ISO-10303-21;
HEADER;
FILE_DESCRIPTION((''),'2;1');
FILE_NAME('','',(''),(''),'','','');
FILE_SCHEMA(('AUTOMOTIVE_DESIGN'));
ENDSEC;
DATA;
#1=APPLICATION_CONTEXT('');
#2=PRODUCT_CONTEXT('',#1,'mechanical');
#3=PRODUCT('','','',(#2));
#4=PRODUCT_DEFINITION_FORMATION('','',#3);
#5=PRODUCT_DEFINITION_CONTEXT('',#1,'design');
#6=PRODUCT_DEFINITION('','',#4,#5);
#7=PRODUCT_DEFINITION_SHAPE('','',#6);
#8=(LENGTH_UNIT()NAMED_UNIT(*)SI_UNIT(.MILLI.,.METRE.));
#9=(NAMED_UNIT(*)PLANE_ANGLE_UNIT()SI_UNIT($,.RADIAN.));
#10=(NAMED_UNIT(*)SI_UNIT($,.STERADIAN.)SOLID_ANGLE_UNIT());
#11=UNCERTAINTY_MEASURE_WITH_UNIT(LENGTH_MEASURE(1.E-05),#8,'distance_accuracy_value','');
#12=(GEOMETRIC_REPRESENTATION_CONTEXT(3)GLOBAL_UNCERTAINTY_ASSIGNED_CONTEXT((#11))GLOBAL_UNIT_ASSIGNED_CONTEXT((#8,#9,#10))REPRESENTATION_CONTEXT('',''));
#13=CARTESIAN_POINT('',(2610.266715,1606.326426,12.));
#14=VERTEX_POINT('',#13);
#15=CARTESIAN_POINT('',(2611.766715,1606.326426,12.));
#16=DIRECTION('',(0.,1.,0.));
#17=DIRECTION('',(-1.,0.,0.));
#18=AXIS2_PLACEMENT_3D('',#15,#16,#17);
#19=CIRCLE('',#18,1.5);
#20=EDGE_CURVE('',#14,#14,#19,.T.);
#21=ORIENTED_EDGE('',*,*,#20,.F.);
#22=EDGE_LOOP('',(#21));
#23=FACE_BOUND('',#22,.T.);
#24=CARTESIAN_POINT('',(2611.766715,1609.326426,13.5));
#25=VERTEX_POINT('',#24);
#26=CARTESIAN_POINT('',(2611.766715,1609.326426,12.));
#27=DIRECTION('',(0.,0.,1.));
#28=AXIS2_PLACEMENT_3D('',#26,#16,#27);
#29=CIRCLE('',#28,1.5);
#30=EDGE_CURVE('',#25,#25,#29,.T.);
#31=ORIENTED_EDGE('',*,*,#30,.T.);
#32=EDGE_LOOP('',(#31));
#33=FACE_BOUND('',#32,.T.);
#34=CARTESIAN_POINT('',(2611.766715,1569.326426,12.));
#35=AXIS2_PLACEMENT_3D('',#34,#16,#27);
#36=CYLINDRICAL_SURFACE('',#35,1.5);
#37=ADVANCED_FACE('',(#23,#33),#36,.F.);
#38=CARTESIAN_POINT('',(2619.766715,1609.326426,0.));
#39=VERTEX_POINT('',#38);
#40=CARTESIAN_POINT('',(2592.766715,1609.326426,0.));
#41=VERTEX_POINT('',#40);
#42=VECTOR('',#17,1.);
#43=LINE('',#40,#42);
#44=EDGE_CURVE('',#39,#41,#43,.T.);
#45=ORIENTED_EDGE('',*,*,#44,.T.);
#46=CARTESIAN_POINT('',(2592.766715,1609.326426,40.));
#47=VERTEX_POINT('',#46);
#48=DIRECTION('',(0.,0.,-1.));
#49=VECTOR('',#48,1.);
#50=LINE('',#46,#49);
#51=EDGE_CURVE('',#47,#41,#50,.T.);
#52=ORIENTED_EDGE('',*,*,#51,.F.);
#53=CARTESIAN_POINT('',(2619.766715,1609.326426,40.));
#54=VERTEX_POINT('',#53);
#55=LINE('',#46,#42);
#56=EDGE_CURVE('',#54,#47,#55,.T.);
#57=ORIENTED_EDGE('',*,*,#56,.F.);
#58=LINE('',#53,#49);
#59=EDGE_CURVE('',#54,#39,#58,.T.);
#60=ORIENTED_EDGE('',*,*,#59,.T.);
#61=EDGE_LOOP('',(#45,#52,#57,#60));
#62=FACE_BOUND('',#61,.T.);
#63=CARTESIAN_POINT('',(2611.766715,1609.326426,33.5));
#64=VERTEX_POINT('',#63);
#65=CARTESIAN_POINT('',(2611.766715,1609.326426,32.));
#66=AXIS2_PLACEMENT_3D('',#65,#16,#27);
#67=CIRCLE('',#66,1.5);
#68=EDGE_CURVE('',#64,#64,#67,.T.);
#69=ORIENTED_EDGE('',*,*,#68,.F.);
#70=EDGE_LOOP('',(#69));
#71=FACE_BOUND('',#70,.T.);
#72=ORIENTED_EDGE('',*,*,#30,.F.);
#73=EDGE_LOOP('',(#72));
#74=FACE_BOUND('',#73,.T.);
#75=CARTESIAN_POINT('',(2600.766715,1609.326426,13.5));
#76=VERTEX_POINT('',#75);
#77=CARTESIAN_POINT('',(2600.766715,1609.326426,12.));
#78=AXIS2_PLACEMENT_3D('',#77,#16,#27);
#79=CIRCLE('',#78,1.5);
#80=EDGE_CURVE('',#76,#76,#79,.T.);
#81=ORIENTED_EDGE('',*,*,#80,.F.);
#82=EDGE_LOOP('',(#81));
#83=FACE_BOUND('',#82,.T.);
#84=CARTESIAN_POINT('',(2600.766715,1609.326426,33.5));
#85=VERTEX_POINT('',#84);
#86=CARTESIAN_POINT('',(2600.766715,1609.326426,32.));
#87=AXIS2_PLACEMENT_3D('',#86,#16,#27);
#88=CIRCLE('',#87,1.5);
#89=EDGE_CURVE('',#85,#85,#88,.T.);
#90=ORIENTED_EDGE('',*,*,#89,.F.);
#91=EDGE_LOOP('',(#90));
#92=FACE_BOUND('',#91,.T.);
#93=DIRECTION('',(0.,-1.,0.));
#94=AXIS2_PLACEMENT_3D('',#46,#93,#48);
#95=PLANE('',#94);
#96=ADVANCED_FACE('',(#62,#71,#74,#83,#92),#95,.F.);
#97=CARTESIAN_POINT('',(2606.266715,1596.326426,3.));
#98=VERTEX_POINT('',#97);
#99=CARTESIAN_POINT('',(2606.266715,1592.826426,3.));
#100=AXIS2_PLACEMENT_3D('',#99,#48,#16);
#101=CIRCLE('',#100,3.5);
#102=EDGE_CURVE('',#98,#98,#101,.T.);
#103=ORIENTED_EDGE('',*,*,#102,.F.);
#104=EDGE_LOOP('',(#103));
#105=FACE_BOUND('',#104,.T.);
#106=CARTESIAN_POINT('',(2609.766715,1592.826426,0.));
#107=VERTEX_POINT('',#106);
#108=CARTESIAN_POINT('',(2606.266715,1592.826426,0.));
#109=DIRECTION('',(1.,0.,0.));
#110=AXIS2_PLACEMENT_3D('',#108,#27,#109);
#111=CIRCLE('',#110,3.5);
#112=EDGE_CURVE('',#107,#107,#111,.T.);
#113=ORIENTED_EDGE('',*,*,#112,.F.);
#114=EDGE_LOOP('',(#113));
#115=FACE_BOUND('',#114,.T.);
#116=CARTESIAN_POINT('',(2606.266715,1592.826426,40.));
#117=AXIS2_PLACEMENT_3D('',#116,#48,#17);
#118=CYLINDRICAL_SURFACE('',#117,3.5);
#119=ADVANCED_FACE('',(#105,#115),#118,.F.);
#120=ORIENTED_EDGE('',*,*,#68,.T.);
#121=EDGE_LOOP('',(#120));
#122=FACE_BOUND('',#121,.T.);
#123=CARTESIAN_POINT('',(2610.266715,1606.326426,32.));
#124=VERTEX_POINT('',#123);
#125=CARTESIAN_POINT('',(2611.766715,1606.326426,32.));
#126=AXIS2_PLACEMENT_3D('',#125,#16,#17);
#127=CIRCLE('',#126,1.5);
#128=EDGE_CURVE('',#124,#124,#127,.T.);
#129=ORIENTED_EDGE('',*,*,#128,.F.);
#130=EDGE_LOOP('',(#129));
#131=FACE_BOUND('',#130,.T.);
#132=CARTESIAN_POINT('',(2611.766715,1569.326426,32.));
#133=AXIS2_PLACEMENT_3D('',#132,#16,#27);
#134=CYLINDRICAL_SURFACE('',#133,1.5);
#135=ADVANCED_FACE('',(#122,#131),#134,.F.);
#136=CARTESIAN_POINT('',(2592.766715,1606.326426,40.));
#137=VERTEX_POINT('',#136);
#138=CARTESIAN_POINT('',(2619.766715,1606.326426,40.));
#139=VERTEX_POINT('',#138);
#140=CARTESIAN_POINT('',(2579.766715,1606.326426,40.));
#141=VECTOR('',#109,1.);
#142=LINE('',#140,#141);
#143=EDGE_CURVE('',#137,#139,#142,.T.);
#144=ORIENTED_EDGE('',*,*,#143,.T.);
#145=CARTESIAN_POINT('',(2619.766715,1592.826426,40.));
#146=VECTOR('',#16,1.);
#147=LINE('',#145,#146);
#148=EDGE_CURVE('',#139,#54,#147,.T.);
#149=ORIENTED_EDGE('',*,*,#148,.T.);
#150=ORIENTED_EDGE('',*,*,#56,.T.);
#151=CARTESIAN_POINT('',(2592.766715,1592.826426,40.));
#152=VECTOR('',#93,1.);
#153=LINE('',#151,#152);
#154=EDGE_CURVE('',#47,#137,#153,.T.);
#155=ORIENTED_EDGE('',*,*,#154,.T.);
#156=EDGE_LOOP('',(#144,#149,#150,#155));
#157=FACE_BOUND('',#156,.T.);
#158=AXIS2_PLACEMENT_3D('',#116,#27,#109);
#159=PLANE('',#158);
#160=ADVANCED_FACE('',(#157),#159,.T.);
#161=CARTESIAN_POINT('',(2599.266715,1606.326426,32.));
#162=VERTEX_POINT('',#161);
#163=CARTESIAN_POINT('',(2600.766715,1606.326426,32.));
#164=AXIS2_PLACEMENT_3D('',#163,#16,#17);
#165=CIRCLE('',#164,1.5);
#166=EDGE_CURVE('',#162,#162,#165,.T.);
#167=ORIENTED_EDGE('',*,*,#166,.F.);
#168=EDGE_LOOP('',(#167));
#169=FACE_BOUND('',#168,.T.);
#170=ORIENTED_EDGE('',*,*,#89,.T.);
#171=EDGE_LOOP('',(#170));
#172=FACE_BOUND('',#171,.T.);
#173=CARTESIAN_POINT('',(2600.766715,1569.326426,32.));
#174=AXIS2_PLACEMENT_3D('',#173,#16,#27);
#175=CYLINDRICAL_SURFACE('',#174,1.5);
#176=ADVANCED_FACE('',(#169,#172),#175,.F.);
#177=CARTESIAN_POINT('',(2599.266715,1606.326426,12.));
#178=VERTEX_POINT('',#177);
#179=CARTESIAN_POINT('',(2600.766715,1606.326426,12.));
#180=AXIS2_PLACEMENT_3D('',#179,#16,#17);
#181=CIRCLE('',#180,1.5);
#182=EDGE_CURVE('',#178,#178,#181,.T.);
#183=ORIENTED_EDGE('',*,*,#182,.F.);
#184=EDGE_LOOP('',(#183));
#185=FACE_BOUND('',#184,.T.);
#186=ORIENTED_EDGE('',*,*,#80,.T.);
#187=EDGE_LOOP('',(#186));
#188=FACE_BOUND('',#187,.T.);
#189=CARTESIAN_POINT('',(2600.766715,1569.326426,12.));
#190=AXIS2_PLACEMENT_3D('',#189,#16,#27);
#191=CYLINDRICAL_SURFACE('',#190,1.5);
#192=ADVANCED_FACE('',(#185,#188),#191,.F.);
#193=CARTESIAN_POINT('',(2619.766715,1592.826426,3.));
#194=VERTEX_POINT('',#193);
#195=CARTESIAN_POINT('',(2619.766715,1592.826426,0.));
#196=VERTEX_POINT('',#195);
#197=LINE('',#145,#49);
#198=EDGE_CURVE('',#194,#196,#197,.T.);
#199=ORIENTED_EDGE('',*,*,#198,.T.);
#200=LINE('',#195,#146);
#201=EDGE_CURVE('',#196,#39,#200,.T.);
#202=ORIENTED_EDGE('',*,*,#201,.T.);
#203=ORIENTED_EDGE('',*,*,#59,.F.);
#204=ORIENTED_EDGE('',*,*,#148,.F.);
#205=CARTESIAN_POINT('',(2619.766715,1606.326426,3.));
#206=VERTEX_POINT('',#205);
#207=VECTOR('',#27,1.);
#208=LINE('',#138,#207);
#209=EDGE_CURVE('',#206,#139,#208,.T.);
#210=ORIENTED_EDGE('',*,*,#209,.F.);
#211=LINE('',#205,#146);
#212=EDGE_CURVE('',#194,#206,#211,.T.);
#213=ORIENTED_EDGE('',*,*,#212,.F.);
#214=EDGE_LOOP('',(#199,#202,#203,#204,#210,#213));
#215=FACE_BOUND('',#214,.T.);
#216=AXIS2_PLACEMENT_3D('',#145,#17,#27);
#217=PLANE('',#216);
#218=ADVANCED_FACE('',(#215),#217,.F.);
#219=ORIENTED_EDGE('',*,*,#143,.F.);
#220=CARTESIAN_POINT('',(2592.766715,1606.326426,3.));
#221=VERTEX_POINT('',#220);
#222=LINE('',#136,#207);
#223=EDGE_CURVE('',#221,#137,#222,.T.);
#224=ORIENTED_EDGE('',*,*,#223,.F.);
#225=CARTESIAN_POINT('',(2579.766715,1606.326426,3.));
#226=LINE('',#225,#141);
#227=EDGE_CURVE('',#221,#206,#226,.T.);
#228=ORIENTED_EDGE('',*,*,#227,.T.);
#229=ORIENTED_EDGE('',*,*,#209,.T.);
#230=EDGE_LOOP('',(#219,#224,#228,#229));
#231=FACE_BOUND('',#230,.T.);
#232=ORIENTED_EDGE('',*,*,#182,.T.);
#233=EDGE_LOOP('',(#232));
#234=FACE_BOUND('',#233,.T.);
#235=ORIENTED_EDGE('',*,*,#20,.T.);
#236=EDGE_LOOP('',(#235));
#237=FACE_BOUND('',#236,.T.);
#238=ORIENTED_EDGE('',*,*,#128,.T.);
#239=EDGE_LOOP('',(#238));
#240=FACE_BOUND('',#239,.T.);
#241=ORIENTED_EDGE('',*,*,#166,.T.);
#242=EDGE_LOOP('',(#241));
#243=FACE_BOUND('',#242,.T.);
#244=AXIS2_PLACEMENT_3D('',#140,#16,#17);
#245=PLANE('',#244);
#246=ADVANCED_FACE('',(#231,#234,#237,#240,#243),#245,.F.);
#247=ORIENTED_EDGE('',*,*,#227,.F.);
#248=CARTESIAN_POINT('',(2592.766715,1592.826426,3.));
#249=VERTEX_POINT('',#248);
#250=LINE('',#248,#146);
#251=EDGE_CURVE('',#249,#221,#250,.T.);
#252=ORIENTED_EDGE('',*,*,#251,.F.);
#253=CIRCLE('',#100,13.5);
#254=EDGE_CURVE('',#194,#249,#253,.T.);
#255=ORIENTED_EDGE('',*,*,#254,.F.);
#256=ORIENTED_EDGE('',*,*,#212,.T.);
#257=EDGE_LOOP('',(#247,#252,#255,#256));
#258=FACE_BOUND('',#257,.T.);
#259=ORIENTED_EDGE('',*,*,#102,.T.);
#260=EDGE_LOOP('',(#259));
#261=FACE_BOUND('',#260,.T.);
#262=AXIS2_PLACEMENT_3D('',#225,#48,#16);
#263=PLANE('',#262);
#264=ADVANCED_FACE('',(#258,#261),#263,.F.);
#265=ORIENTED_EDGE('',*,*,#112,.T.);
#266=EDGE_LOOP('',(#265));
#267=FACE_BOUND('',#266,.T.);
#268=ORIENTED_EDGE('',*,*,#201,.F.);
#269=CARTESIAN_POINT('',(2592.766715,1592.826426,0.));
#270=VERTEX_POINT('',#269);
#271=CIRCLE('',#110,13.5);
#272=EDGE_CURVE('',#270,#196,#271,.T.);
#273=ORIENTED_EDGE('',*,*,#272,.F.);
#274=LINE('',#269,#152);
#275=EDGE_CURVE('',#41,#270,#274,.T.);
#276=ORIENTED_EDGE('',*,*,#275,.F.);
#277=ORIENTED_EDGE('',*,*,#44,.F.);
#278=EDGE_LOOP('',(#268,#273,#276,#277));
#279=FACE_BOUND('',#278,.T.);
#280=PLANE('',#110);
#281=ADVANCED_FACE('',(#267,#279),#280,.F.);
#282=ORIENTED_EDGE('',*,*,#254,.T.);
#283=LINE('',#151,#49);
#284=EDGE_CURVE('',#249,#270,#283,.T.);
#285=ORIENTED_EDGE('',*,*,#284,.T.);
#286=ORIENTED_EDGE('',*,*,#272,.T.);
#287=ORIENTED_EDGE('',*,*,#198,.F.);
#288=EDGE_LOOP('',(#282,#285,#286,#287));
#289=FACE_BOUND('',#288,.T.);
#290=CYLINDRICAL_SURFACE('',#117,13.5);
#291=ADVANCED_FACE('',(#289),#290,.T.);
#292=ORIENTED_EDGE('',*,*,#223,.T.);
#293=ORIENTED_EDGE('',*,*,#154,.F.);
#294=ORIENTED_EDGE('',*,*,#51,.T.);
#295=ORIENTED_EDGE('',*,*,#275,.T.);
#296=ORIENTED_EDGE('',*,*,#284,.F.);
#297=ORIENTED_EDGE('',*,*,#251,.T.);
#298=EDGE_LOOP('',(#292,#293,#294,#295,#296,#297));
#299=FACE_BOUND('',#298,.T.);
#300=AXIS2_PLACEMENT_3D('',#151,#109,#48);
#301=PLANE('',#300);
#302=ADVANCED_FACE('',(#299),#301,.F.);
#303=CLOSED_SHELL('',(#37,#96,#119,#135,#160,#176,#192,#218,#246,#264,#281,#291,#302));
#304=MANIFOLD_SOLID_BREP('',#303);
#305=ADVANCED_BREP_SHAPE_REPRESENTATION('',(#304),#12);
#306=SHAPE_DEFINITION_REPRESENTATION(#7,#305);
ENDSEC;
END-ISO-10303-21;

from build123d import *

# Parameters (mm, degrees)
MODEL_R             = 3.5
EXTRUDE_1_DEPTH     = 40
SKETCH_3_W          = 37
SKETCH_3_H          = 37
CUT_EXTRUDE_1_DEPTH = 40
SKETCH_4_R          = 1.5
CUT_EXTRUDE_2_DEPTH = 40


with BuildPart() as part:
    # Model → 凸台-拉伸1 (new body)
    with BuildSketch(Plane.XY):
        with BuildLine():
            Line((2619.766714505, 1592.826425633), (2619.766714505, 1609.326425633))
            Line((2619.766714505, 1609.326425633), (2592.766714505, 1609.326425633))
            Line((2592.766714505, 1609.326425633), (2592.766714505, 1592.826425633))
            ThreePointArc((2592.766714505, 1592.826425633), (2606.266714505, 1579.326425633), (2619.766714505, 1592.826425633))
        make_face()
        with Locations((2606.266714505, 1592.826425633)):
            Circle(MODEL_R, mode=Mode.SUBTRACT)
    extrude(amount=EXTRUDE_1_DEPTH)

    # 草图3 → 切除-拉伸1 (cut)
    with BuildSketch(Plane(origin=(2619.766714505, 0, 0), x_dir=(0, 0, -1), z_dir=(1, 0, 0))):
        with Locations((-21.5, 1587.826425633)):
            Rectangle(SKETCH_3_W, SKETCH_3_H)
    extrude(amount=-CUT_EXTRUDE_1_DEPTH, mode=Mode.SUBTRACT)

    # 草图4 → 切除-拉伸2 (cut)
    with BuildSketch(Plane(origin=(0, 1609.326425633, 0), x_dir=(1, 0, 0), z_dir=(0, 1, 0))):
        with Locations((2600.766714505, -32)):
            Circle(SKETCH_4_R)
        with Locations((2611.766714505, -32)):
            Circle(SKETCH_4_R)
        with Locations((2600.766714505, -12)):
            Circle(SKETCH_4_R)
        with Locations((2611.766714505, -12)):
            Circle(SKETCH_4_R)
    extrude(amount=-CUT_EXTRUDE_2_DEPTH, mode=Mode.SUBTRACT)


solid = part.part
